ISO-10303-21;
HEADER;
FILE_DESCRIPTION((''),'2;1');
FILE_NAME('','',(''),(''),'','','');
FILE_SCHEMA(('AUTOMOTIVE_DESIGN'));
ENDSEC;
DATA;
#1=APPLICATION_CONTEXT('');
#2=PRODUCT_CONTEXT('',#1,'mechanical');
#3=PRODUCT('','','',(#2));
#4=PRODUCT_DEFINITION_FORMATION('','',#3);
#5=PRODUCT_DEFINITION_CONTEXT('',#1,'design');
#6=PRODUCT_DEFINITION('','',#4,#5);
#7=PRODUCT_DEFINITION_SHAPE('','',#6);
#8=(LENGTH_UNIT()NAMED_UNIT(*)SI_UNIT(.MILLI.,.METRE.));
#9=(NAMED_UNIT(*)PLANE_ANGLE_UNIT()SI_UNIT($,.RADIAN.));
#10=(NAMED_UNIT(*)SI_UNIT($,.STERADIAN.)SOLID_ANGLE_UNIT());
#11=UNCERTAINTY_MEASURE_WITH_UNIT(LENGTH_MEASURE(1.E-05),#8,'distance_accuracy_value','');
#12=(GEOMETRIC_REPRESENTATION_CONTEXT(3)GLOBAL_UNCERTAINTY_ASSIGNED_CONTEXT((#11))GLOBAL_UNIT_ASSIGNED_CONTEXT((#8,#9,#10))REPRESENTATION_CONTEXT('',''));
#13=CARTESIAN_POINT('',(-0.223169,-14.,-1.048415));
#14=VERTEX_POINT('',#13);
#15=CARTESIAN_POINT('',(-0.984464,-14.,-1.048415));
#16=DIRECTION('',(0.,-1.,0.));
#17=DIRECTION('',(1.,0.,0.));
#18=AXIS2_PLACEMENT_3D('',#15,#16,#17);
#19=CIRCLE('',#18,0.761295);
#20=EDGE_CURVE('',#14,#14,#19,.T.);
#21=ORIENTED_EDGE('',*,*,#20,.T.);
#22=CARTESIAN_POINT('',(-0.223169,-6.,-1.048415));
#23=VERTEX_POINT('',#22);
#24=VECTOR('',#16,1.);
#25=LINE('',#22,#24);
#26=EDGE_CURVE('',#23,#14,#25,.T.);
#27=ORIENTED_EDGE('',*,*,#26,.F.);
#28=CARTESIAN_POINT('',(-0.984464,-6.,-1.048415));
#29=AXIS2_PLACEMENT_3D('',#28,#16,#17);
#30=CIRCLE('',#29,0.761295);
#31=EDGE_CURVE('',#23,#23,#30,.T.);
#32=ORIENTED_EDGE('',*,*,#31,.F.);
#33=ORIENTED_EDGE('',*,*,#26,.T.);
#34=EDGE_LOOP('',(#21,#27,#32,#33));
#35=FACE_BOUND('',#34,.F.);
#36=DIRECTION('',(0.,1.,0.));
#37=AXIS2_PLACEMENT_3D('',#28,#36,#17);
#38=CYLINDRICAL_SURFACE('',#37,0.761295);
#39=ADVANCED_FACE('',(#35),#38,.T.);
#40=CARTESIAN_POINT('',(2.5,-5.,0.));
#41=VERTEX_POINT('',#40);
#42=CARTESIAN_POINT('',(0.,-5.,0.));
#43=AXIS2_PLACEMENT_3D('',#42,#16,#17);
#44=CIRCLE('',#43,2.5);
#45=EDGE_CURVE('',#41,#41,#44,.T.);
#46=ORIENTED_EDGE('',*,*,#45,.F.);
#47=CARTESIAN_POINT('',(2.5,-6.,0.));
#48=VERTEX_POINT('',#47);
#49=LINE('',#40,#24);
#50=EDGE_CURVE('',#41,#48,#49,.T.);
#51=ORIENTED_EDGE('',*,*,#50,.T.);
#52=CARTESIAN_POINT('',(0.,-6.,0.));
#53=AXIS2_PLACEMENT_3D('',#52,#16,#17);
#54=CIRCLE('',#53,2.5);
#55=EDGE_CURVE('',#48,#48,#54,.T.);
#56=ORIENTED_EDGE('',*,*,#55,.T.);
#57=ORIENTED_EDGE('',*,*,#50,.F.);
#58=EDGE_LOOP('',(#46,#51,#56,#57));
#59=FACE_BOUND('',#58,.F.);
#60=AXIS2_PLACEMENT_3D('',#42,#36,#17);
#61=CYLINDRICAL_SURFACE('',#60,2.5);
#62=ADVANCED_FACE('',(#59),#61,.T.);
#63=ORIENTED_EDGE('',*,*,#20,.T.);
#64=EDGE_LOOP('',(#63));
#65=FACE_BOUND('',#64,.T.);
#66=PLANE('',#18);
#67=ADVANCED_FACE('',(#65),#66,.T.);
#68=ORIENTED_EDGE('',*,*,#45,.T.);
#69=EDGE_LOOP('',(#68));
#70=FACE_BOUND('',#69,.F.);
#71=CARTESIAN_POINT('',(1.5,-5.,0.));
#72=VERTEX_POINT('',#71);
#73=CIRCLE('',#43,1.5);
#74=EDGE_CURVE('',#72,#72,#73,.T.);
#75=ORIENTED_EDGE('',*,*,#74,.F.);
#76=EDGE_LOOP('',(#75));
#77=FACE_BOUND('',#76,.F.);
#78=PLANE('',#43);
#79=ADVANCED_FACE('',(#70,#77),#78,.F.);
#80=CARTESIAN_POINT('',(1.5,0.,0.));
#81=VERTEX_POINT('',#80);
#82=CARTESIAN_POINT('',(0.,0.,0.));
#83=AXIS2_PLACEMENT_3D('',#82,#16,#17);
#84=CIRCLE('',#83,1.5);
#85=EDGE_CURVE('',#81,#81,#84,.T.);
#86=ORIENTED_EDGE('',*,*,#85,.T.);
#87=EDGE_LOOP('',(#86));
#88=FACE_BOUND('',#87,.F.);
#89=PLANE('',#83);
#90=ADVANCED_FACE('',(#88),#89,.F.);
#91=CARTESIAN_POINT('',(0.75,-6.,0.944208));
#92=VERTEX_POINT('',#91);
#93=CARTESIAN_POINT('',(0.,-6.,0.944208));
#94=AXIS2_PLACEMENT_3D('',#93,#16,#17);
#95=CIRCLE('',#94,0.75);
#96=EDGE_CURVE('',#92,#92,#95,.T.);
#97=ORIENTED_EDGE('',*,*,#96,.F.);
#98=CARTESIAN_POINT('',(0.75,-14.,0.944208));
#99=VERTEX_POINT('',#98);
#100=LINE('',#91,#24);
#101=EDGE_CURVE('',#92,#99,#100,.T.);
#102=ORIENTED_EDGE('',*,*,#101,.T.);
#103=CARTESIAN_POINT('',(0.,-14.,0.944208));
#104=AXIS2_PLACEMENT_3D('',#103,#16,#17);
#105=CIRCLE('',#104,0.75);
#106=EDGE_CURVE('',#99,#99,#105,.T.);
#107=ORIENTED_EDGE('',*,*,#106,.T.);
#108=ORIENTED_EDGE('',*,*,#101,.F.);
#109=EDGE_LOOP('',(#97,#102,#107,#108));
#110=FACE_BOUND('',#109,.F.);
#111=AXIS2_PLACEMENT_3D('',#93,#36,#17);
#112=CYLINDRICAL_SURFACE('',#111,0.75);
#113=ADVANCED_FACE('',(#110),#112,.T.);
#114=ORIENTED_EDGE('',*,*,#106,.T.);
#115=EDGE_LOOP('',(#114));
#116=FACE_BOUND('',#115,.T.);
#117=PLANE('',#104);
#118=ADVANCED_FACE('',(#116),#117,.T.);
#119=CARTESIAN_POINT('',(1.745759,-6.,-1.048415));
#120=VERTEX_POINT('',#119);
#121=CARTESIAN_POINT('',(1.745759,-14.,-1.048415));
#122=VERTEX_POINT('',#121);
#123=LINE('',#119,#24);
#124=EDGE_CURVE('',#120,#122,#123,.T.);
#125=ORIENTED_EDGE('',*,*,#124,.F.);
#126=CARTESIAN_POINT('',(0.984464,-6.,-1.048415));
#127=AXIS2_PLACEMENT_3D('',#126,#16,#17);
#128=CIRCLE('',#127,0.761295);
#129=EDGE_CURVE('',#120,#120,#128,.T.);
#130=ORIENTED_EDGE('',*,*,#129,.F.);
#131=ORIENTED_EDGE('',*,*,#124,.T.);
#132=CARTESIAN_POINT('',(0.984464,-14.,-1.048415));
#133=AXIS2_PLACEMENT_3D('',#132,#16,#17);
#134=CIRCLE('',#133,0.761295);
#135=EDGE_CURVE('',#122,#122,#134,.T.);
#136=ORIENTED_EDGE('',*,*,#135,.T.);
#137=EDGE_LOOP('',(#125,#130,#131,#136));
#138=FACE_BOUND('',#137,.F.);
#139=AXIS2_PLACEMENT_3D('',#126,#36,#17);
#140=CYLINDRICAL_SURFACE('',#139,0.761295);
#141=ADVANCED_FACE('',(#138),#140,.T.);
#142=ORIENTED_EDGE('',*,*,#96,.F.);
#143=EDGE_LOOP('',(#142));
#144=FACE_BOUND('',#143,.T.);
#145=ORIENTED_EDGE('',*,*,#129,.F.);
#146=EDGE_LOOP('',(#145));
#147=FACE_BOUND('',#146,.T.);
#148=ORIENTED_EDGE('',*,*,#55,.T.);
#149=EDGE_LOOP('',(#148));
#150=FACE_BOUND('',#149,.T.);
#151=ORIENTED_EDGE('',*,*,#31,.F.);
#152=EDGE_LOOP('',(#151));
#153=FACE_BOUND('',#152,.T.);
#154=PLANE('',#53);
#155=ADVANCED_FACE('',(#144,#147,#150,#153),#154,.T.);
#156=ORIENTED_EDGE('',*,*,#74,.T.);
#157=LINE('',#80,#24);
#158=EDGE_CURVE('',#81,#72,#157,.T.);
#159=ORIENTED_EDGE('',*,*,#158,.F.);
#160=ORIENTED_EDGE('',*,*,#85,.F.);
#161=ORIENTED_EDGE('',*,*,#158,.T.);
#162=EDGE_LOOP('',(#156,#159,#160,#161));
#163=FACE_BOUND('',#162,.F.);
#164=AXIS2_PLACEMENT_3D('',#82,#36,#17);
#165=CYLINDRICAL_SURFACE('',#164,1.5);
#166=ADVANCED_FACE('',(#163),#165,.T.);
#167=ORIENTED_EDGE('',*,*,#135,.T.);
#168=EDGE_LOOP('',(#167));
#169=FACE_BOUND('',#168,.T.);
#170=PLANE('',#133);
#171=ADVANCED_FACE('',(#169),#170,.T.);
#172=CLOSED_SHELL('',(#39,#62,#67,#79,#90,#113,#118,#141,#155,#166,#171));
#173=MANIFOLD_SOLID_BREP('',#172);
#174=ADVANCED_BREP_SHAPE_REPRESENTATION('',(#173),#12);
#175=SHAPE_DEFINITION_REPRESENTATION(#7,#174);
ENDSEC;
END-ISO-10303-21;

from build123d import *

# Parameters (mm, degrees)
F0_R     = 1.5
F1_DEPTH = 5
F2_R     = 2.5
F3_DEPTH = 1
F4_R     = 0.761295
F4_R_2   = 0.75
F5_DEPTH = 8


with BuildPart() as f1:
    # F0 (on Front) → F1 (new body)
    with BuildSketch(Plane.XZ):
        Circle(F0_R)
    extrude(amount=F1_DEPTH)

    # F2 (on face) → F3 (join)
    with BuildSketch(Plane.XZ.offset(5)):
        Circle(F2_R)
    extrude(amount=F3_DEPTH)

    # F4 (on face) → F5 (join)
    with BuildSketch(Plane.XZ.offset(6)):
        with Locations((0.984464, -1.048415)):
            Circle(F4_R)
        with Locations((-0.984464, -1.048415)):
            Circle(F4_R)
        with Locations((0, 0.944208)):
            Circle(F4_R_2)
    extrude(amount=F5_DEPTH)


solid = f1.part
